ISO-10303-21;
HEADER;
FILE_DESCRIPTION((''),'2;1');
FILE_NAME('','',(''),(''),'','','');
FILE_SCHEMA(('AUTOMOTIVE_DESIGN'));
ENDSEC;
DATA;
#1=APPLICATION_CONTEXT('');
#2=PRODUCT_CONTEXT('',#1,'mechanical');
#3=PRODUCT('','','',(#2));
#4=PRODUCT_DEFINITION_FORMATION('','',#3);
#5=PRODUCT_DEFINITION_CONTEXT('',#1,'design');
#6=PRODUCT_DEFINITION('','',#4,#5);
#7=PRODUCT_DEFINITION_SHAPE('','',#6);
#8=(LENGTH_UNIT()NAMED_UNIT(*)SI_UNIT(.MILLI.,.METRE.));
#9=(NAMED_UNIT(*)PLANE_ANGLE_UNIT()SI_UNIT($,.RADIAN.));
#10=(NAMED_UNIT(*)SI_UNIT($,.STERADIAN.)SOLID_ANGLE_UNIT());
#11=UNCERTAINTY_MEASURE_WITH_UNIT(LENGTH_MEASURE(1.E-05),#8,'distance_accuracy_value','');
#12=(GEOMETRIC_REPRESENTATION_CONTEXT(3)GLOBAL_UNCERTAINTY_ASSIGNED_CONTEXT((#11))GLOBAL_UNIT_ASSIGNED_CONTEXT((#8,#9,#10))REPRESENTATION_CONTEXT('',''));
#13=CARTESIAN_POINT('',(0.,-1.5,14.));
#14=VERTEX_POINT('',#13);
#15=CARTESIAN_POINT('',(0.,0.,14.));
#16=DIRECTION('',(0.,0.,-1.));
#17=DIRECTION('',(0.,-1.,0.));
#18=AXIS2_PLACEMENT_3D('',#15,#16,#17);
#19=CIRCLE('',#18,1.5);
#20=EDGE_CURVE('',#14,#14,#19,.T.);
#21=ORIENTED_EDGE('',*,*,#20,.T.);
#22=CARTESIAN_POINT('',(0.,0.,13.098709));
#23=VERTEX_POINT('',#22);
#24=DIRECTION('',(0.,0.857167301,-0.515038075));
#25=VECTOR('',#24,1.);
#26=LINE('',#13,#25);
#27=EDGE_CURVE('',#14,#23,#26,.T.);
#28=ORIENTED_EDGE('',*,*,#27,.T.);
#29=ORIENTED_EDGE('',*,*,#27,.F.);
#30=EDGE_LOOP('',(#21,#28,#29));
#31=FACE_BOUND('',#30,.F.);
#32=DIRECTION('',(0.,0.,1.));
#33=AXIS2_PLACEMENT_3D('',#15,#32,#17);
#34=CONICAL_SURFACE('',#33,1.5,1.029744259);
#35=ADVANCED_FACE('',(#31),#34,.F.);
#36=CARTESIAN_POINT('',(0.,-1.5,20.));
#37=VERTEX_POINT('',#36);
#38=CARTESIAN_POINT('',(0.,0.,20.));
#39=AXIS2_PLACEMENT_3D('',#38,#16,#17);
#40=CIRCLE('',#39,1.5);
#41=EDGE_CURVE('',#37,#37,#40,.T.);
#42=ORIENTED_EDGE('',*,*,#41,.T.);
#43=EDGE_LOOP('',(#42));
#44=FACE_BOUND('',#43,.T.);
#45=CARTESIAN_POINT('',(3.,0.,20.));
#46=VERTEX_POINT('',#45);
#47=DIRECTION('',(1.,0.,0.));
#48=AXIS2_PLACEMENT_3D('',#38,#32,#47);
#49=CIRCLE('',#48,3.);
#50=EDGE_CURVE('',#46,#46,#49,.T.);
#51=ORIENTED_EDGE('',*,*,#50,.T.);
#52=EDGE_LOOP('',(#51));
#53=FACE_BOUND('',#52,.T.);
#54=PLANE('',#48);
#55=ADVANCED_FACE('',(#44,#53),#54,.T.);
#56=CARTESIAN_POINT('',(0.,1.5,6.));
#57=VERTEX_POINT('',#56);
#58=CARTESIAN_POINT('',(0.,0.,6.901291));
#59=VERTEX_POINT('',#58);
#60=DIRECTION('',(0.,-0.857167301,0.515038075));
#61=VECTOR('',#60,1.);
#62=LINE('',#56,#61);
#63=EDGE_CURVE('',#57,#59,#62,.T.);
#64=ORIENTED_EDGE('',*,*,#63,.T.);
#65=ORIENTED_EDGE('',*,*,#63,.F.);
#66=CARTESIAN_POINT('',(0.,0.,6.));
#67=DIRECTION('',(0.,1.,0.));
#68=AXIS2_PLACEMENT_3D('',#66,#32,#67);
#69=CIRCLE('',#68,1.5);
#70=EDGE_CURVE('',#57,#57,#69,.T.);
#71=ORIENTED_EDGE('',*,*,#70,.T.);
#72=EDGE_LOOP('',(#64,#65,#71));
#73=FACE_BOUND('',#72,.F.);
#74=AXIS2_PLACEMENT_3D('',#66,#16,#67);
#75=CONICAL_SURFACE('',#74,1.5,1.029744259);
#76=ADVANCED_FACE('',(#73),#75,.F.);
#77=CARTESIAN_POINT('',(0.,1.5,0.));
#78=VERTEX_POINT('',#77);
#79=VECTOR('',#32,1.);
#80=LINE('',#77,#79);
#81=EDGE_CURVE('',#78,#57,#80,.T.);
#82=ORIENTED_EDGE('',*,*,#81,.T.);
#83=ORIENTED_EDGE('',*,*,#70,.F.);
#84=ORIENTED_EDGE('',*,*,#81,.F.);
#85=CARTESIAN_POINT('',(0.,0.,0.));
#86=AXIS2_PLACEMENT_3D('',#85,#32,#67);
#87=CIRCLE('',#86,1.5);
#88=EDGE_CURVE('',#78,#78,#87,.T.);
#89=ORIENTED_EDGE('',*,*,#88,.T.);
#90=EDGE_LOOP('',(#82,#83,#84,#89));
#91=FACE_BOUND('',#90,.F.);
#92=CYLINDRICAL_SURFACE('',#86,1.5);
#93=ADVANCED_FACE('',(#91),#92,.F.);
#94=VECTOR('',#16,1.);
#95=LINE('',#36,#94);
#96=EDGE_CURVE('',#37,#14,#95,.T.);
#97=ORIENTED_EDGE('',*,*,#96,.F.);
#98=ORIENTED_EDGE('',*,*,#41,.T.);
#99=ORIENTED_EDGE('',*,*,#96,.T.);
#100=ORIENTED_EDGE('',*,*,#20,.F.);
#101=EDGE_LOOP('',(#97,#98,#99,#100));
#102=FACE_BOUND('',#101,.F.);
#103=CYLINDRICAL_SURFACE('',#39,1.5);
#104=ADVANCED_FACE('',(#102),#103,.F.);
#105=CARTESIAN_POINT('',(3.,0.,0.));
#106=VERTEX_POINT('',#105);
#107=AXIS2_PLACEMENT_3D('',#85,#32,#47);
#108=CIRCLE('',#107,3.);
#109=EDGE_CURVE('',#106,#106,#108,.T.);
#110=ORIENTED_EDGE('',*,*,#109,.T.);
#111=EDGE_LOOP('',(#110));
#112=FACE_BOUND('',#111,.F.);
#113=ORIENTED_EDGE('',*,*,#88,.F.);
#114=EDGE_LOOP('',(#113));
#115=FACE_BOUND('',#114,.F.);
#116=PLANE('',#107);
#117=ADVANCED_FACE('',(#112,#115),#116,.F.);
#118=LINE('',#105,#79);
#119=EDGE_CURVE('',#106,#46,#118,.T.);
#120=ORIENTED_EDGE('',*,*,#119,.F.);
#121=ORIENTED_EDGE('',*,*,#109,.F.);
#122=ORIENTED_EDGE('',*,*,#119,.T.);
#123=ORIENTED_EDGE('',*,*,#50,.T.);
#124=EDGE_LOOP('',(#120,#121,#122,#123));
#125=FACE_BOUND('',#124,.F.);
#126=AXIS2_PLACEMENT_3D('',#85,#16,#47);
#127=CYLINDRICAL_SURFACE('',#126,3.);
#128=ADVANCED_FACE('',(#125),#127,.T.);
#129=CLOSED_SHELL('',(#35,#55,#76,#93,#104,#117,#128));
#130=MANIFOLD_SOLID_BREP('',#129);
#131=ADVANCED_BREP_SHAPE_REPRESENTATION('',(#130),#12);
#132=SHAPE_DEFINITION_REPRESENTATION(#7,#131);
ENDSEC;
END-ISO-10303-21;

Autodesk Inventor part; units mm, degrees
ref_plane "YZ Plane" through (0, 0, 0) normal (1, 0, 0) x (0, 1, 0)
ref_plane "XZ Plane" through (0, 0, 0) normal (0, 1, 0) x (-1, 0, 0)
ref_plane "XY Plane" through (0, 0, 0) normal (0, 0, 1) x (1, 0, 0)
sketch "スケッチ1" plane through (0, 0, 0) normal (0, 0, 1) x (1, 0, 0)
  circle A0 centre (0, 0) radius 3
  dimension "d0" = 6
extrude "押し出し1" add sketch "スケッチ1" along normal blind 20
hole "穴1" at (0, 0, 0) direction (0, 0, 1) diameter 3 depth 6 tip angle 118
sketch "スケッチ2" plane through (0, 0, 20) normal (0, 0, 1) x (1, 0, 0)
  circle A0 centre (0, 0) radius 3 projected
hole "穴2" at (0, 0, 20) direction (0, 0, -1) diameter 3 depth 6 tip angle 118
properties part number "スペーサ　m3-l20" material "アルミニウム 2014-T4"
